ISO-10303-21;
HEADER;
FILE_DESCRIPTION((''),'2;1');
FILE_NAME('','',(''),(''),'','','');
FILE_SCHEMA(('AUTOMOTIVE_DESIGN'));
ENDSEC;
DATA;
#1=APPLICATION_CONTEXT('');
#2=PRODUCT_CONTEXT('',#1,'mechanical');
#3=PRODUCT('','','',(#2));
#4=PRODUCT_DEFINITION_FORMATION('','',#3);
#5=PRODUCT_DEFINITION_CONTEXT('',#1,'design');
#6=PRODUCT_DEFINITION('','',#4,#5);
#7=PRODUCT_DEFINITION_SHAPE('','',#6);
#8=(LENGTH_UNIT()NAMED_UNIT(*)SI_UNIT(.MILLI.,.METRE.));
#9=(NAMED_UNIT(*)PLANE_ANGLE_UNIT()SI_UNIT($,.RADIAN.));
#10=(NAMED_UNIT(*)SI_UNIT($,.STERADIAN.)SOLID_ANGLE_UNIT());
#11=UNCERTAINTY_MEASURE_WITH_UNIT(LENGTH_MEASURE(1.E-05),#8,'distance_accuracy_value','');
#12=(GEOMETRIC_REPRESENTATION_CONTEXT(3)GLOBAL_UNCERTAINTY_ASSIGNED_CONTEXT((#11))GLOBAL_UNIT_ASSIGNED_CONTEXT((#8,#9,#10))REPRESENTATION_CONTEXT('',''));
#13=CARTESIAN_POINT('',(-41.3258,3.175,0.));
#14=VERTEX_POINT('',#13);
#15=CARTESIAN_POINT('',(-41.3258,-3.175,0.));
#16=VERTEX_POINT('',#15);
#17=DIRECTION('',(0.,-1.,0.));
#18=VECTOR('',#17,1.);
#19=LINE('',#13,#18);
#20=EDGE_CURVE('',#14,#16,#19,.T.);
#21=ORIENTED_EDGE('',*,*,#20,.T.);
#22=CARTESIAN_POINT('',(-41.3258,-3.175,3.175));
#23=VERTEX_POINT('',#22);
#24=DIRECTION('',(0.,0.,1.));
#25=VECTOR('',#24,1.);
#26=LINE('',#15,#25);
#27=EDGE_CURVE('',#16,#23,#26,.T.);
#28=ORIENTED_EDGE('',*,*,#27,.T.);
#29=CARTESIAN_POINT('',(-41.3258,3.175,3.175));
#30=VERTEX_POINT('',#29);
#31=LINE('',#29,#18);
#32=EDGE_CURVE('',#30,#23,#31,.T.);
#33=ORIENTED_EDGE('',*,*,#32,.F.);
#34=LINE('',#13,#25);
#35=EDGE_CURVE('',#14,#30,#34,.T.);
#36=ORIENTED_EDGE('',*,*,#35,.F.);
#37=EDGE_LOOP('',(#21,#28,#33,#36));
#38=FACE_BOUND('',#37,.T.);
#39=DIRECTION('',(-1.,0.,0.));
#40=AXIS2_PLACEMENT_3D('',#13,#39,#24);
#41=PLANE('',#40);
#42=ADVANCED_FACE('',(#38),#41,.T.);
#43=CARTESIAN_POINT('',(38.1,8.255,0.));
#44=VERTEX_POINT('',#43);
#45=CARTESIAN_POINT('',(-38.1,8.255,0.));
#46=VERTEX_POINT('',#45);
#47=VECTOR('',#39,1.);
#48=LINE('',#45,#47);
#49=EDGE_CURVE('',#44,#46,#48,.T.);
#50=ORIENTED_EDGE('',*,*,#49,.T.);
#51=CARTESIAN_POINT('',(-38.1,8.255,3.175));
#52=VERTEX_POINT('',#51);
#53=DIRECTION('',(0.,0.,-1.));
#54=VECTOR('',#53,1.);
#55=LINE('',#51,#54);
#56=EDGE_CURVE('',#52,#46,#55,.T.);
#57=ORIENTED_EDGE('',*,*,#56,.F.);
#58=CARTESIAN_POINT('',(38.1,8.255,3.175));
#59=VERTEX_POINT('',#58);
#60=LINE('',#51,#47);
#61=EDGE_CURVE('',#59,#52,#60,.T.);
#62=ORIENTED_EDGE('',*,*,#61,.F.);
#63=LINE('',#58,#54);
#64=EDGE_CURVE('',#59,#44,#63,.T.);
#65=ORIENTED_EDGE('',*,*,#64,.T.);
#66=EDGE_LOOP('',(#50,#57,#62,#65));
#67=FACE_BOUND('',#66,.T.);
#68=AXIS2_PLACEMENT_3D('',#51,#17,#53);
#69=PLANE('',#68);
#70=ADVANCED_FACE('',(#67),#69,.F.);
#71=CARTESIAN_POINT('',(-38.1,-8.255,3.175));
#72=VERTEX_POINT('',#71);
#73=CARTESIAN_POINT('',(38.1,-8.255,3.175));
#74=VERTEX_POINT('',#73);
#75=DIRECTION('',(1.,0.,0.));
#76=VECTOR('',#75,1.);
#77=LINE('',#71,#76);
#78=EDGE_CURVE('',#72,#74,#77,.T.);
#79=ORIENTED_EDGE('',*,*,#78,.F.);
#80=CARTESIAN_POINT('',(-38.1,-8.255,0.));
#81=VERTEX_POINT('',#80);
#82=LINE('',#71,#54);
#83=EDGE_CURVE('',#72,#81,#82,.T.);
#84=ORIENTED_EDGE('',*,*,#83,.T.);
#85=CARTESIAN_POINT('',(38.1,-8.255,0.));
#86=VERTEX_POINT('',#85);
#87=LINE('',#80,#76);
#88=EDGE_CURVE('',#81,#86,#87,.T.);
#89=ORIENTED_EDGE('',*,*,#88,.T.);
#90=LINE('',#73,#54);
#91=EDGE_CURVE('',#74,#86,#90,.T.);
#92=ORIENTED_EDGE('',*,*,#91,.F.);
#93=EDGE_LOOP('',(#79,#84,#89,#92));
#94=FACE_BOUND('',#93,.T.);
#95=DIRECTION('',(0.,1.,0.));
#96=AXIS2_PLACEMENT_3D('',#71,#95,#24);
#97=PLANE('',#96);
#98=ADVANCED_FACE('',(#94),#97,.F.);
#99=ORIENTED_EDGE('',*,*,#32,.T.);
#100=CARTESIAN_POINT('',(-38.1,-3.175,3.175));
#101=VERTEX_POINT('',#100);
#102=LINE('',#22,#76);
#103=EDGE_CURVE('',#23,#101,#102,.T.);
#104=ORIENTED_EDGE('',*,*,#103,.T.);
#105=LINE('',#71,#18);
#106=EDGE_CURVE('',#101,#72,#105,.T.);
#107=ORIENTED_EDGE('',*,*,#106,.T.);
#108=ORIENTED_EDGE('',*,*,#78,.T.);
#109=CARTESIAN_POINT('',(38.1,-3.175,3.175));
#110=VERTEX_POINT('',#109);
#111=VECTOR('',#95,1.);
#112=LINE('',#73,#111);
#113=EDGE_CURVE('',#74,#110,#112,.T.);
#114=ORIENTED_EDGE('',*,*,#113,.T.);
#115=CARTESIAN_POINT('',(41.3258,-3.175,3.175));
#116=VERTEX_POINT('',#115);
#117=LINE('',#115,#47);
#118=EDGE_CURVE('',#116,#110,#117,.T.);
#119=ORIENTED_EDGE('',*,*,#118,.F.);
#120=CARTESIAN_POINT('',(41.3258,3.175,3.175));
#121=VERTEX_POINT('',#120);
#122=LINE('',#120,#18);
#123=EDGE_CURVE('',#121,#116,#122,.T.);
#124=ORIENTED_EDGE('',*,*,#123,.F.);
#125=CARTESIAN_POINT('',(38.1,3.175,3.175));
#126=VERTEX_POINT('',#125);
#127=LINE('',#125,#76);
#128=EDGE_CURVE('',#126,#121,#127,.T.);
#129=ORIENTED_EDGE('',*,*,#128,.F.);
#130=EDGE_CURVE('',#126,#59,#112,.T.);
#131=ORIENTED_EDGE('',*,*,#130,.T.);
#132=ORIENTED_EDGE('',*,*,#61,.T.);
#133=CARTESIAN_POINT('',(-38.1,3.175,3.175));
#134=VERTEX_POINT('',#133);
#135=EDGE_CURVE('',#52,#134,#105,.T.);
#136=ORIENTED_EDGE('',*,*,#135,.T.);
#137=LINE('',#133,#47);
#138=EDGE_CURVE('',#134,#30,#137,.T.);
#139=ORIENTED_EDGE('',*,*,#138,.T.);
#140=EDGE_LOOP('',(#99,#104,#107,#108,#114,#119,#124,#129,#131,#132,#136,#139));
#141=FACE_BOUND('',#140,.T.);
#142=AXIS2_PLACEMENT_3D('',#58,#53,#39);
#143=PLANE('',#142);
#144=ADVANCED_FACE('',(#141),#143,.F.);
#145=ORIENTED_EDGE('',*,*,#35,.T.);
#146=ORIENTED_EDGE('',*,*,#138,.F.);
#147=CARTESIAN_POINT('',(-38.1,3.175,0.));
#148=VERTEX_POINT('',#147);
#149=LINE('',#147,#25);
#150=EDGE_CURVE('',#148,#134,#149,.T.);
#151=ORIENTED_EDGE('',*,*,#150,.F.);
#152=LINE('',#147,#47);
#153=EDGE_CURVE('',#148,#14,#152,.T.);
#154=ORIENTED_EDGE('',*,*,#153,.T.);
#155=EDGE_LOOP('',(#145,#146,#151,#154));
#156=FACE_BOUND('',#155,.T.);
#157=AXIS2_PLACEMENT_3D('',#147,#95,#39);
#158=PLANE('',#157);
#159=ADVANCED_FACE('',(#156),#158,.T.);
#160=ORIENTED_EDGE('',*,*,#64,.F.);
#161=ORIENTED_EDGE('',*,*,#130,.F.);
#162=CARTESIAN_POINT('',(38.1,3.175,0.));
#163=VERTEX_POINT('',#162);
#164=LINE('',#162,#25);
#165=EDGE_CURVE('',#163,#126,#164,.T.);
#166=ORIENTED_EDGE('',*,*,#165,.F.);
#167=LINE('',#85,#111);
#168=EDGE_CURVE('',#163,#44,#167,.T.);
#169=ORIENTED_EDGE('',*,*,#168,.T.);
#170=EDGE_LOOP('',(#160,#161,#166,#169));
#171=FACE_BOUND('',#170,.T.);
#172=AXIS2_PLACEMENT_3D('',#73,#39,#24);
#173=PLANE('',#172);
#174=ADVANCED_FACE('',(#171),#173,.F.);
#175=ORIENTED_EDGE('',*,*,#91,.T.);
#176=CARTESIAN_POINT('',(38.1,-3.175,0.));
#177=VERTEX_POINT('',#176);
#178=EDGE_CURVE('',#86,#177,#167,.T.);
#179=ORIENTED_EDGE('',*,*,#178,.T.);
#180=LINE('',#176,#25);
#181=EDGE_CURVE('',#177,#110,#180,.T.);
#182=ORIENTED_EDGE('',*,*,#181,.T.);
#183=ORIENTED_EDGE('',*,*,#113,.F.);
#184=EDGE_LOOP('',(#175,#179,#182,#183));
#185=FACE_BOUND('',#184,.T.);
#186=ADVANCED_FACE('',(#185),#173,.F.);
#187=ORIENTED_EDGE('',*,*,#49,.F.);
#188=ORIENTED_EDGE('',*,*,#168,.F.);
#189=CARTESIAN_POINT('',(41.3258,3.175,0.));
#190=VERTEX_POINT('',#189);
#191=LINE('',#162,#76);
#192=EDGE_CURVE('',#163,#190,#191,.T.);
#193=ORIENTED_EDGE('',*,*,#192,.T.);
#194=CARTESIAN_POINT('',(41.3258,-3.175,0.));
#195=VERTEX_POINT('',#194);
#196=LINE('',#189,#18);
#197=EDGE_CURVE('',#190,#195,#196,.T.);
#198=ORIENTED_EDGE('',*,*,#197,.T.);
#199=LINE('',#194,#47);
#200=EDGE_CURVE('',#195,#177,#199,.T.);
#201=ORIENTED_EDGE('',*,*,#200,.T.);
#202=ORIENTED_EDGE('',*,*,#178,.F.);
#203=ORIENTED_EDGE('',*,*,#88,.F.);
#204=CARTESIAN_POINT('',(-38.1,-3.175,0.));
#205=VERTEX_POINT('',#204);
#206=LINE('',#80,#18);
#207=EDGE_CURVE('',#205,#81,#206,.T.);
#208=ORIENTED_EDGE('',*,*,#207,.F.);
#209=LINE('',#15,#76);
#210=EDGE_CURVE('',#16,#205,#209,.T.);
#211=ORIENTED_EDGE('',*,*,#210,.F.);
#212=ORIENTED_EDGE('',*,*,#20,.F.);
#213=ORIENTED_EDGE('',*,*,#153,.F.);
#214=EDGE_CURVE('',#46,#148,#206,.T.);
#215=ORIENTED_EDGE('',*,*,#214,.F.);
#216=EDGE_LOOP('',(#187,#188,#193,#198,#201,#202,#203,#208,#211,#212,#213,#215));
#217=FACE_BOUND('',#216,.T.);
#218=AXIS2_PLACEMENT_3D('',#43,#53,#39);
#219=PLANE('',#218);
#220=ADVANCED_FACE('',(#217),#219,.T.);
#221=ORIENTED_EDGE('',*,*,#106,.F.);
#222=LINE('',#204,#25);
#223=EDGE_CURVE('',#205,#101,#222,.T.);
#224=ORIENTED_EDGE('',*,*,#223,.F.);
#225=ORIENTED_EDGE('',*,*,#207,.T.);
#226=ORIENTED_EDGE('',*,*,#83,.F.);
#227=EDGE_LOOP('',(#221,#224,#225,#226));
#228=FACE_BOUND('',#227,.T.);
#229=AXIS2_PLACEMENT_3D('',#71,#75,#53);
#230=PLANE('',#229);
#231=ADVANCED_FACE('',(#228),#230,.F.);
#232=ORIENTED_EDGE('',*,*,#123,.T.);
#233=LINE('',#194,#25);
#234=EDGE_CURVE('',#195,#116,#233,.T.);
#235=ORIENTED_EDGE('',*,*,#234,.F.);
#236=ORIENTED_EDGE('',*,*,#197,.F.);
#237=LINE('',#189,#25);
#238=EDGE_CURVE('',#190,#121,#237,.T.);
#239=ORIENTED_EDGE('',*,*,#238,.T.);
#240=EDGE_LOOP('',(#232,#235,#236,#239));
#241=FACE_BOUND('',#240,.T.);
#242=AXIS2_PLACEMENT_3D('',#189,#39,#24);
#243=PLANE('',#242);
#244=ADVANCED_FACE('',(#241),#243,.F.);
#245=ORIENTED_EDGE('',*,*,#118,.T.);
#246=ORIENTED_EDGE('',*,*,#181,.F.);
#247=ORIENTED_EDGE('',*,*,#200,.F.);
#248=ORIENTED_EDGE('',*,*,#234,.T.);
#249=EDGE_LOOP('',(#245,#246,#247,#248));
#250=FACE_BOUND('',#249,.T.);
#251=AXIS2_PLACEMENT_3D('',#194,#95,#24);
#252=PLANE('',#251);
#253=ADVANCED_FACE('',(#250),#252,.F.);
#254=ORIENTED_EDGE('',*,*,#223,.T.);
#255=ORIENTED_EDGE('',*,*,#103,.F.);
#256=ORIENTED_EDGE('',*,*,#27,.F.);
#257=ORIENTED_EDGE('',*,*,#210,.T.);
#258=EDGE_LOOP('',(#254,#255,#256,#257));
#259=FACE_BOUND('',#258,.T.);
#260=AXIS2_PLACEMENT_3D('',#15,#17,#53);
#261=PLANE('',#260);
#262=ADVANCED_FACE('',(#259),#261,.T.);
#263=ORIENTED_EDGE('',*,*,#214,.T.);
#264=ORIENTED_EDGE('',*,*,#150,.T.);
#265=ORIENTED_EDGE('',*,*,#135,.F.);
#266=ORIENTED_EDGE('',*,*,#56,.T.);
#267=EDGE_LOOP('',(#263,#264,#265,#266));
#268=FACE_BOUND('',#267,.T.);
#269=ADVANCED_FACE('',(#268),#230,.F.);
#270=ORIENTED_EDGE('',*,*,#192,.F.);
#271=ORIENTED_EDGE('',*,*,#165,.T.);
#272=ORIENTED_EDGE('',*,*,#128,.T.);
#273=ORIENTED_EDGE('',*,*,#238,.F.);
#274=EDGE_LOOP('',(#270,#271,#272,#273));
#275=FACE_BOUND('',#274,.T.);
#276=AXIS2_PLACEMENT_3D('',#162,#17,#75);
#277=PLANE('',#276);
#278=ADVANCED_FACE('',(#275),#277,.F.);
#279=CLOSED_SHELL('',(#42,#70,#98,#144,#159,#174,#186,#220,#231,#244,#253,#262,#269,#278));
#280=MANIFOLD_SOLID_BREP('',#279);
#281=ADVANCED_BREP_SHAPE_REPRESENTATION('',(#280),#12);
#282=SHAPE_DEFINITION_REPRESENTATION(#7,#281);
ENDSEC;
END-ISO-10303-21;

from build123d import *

# Parameters (mm, degrees)
SKETCH1_W           = 76.2
SKETCH1_H           = 16.51
BOSS_EXTRUDE1_DEPTH = 3.175
BOSS_EXTRUDE2_DEPTH = 3.175


with BuildPart() as part:
    # Sketch1 → Boss-Extrude1 (new body)
    with BuildSketch(Plane.XY):
        Rectangle(SKETCH1_W, SKETCH1_H)
    extrude(amount=BOSS_EXTRUDE1_DEPTH)

    # Sketch3 → Boss-Extrude2 (add)
    with BuildSketch(Plane.XY.offset(3.175)):
        Polygon((-38.1, 0), (-38.1, 3.175), (-41.3258, 3.175), (-41.3258, -3.175), (-38.1, -3.175), align=None)
    boss_extrude2 = extrude(amount=-BOSS_EXTRUDE2_DEPTH)

    # Mirror2: Boss-Extrude2 across plane
    add(boss_extrude2.mirror(Plane(origin=(0, 0, 0), x_dir=(0, 0, 1), z_dir=(1, 0, 0))))


solid = part.part
